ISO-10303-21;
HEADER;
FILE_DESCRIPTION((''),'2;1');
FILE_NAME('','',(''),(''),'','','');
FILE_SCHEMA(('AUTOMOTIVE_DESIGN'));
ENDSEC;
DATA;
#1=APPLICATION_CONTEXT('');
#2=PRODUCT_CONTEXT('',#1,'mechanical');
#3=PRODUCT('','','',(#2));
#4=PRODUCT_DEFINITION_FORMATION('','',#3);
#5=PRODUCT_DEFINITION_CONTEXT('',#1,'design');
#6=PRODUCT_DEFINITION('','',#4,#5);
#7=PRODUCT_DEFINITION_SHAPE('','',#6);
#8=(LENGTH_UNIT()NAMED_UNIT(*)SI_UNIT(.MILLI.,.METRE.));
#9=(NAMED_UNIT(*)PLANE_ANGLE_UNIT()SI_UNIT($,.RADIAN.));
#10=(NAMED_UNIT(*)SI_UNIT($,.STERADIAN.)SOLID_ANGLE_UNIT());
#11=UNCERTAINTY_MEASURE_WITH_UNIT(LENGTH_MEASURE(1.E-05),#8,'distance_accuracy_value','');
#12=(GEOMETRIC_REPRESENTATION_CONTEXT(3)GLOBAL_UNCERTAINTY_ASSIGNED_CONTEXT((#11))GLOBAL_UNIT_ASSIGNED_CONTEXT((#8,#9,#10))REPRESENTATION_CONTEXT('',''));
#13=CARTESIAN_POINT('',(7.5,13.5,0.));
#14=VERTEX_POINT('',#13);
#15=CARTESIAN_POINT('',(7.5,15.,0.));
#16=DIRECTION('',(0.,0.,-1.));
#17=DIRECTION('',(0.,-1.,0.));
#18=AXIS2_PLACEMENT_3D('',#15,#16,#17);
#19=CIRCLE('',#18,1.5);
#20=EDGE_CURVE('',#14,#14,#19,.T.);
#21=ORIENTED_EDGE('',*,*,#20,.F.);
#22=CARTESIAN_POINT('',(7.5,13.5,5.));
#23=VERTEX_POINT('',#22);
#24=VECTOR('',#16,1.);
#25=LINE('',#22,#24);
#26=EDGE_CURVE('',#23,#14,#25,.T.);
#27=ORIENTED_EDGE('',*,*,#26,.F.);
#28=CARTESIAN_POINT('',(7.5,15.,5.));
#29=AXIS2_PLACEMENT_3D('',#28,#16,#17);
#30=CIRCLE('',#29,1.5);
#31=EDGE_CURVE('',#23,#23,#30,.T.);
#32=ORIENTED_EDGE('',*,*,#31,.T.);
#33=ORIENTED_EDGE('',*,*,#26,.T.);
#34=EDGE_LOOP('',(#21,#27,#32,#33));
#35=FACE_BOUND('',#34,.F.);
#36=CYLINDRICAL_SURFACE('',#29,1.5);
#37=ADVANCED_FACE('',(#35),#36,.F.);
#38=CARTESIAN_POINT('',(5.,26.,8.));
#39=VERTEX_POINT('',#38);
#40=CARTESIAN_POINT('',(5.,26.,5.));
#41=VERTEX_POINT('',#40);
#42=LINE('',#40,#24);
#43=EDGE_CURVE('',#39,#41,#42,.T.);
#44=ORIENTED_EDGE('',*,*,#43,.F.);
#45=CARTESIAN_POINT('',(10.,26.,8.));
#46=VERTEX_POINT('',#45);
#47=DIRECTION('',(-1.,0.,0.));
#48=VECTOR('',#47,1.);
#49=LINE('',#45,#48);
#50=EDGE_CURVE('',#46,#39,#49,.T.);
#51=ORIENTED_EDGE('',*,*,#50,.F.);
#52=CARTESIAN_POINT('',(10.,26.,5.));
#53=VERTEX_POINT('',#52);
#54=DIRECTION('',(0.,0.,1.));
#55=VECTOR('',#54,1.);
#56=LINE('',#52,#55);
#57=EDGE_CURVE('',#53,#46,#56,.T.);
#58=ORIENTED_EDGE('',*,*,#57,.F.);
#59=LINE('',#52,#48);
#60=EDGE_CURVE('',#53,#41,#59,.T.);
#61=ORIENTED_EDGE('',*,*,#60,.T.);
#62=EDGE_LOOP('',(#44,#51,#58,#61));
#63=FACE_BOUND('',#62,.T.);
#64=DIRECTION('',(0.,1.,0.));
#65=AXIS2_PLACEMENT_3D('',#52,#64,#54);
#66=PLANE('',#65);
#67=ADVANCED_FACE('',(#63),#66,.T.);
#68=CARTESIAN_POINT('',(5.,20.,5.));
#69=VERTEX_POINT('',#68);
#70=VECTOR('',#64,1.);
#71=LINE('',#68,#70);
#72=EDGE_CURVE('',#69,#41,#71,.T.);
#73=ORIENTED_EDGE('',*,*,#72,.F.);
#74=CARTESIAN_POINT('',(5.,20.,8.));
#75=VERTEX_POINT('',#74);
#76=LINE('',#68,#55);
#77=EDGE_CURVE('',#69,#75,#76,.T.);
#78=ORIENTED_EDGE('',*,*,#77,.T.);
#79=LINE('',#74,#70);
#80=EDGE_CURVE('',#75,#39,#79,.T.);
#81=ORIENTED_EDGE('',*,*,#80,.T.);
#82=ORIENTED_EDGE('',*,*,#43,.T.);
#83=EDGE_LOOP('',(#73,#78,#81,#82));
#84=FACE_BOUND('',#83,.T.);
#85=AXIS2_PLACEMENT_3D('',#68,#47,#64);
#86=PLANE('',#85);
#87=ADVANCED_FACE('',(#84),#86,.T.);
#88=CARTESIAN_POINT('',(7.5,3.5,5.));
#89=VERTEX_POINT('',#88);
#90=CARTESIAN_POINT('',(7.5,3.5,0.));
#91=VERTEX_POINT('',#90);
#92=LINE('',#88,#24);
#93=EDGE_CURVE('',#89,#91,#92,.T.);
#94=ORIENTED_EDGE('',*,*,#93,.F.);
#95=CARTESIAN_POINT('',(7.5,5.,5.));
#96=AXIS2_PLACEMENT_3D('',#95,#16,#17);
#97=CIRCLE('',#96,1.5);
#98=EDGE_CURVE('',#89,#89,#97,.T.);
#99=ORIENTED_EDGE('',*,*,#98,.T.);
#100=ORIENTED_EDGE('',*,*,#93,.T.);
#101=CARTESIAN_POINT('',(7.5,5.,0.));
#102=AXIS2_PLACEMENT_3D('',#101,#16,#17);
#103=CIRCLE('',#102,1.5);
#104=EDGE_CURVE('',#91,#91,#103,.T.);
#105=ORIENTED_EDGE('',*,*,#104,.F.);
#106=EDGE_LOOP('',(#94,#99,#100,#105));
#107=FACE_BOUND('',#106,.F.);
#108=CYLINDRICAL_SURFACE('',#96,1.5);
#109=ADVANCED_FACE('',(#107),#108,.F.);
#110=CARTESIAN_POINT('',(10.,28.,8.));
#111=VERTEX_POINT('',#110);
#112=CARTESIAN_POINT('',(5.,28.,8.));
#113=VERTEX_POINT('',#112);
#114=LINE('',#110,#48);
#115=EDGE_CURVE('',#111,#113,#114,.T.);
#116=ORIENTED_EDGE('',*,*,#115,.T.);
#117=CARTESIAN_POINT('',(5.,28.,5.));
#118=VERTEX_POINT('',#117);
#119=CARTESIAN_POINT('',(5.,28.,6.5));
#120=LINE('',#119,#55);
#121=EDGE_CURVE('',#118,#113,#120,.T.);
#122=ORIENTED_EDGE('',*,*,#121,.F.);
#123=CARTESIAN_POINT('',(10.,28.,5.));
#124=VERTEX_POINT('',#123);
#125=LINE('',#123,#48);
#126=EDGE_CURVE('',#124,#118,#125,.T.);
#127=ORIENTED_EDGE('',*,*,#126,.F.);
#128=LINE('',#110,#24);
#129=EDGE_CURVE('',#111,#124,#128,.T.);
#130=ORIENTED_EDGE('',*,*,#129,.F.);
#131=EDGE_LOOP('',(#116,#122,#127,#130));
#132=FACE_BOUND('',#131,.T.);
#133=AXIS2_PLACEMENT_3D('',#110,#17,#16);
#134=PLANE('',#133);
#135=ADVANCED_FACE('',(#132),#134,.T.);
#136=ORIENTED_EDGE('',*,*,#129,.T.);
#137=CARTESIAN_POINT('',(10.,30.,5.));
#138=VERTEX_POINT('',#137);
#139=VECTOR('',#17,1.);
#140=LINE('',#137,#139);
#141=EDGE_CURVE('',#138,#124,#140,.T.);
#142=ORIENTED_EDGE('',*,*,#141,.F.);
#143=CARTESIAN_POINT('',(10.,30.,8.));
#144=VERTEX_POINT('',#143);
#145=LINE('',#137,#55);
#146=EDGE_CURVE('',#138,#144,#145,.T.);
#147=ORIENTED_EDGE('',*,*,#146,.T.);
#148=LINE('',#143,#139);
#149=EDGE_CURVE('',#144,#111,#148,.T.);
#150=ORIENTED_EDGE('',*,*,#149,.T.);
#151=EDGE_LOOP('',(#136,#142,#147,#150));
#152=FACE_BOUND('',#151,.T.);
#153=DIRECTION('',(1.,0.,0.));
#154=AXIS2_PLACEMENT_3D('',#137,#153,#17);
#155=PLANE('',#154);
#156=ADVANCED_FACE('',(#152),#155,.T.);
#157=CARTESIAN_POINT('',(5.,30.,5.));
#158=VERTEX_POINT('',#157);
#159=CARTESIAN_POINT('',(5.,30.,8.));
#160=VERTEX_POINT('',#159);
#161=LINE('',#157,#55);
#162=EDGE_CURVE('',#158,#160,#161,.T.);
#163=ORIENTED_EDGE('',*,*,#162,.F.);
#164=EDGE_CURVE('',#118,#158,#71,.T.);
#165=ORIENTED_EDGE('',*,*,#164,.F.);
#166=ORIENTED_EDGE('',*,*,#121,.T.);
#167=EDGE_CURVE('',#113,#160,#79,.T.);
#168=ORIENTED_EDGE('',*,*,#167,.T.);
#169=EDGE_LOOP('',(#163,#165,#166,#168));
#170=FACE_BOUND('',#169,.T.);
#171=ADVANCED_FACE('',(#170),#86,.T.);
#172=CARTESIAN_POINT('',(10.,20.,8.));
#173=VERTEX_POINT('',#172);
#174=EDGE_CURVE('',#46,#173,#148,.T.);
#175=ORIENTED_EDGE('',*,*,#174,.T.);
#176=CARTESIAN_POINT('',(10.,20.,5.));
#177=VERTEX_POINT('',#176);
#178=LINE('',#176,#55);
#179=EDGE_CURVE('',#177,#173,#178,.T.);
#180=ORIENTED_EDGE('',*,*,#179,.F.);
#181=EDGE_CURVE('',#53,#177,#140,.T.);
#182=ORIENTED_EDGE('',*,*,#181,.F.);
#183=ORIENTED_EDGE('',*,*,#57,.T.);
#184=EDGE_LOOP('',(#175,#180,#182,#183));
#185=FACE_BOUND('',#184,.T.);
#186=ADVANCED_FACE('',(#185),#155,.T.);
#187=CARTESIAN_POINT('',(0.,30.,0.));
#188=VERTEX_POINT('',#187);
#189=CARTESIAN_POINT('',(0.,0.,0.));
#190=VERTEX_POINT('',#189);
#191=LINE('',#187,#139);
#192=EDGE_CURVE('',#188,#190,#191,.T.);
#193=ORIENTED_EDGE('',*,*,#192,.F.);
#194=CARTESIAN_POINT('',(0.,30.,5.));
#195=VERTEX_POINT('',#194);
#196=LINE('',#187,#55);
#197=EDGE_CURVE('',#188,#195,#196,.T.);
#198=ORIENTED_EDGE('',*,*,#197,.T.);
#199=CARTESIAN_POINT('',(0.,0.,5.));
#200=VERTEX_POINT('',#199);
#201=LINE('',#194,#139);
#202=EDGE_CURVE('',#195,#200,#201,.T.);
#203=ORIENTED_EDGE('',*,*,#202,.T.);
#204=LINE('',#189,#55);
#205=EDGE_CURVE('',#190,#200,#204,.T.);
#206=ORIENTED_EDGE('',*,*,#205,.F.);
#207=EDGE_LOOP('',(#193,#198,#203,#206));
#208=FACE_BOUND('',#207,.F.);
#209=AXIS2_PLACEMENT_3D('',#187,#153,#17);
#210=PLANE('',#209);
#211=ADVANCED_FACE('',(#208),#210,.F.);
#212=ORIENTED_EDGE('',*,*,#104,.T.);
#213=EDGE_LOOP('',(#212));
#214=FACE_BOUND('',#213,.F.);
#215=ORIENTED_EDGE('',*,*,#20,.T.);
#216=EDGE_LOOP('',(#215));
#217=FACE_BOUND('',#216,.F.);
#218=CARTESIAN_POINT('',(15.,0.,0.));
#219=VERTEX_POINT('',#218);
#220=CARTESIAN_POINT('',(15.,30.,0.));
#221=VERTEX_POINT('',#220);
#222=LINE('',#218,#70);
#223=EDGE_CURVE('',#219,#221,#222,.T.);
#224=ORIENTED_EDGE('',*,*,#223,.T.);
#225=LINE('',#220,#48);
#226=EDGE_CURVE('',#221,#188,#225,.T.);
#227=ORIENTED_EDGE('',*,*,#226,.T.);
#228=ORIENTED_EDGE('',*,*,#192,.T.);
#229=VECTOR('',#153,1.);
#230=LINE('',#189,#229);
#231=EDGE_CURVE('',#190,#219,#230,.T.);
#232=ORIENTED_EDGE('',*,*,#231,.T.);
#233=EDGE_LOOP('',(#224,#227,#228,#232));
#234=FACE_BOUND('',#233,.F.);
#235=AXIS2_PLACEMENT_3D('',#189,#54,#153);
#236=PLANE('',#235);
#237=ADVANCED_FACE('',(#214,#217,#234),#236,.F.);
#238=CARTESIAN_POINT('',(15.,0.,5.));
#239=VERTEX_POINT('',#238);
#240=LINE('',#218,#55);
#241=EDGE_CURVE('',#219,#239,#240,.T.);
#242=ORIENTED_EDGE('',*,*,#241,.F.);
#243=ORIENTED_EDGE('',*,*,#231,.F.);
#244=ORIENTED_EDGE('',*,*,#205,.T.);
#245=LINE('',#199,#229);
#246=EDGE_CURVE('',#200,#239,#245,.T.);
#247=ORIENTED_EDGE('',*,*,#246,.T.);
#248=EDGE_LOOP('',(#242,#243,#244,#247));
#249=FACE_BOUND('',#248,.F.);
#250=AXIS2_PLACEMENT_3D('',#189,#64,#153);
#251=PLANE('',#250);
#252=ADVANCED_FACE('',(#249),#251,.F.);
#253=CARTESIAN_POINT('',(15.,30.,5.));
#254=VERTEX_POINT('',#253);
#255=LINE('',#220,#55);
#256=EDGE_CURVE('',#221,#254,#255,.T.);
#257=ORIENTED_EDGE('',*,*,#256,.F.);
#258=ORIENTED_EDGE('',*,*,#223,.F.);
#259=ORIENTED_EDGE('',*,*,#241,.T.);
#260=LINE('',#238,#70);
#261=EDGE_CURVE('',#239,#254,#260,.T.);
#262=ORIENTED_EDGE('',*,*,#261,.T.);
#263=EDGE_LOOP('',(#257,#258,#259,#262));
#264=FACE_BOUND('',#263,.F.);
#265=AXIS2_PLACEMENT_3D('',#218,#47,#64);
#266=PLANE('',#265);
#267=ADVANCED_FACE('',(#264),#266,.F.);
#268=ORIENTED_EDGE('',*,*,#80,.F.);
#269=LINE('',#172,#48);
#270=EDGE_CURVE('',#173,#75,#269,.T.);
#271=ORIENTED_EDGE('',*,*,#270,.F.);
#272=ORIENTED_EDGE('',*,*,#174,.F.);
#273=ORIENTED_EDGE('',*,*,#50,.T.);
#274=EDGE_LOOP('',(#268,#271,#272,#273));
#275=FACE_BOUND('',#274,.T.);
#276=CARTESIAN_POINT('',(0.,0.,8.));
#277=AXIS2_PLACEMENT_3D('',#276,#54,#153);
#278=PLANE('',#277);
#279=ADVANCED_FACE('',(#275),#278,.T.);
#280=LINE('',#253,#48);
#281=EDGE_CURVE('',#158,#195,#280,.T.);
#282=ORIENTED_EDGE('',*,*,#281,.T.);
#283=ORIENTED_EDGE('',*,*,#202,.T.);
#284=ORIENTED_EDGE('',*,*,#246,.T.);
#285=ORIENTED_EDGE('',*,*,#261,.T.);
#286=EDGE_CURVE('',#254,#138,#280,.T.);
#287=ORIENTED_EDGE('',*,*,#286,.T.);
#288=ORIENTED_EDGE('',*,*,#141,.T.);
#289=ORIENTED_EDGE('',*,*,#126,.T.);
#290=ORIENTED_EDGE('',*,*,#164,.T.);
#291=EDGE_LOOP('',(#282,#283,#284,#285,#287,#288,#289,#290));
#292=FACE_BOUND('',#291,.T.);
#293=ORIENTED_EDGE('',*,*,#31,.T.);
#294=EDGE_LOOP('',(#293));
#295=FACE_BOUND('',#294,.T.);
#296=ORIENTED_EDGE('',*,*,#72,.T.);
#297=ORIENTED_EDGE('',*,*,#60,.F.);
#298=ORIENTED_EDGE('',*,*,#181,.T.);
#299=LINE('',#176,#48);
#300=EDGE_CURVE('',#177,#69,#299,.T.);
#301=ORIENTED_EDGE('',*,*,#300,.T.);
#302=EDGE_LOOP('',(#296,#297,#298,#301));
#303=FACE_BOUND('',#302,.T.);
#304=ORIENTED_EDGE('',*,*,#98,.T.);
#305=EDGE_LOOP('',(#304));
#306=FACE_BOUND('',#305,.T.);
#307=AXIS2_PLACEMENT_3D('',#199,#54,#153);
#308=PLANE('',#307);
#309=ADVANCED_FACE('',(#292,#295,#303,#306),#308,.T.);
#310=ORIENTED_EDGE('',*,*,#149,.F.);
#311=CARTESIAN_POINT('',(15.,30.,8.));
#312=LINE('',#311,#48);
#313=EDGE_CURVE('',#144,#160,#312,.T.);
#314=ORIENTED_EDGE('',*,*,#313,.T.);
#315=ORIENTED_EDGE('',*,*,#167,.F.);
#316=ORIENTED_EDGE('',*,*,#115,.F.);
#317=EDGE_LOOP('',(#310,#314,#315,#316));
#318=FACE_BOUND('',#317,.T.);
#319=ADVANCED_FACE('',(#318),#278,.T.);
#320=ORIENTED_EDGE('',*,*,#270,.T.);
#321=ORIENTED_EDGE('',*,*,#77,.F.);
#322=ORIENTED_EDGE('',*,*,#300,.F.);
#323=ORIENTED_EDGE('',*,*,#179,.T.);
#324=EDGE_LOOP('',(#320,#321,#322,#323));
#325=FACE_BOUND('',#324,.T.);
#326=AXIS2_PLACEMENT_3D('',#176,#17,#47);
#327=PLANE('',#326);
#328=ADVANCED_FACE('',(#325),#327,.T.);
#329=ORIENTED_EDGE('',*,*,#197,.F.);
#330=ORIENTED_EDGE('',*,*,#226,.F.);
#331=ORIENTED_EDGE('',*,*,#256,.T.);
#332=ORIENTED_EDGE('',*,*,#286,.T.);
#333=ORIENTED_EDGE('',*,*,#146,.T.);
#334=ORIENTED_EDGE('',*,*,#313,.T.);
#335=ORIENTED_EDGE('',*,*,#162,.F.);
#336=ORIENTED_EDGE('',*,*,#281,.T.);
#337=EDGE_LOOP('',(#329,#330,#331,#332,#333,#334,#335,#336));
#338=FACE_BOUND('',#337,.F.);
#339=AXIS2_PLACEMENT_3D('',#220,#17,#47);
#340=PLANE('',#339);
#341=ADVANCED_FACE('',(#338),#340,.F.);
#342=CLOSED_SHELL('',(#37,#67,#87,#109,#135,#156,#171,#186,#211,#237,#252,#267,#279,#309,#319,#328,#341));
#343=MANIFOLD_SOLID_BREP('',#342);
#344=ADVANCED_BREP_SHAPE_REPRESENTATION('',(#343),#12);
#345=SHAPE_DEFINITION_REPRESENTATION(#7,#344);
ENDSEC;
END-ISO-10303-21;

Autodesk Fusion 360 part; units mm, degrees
sketch "Sketch1" plane through (0, 0, 0) normal (0, 0, 1) x (1, 0, 0)
  line L0 (0, 0) -> (15, 0)
  line L1 (15, 0) -> (15, 30)
  line L2 (15, 30) -> (0, 30)
  line L3 (0, 30) -> (0, 0)
extrude "Extrude1" add sketch "Sketch1" along normal blind 5
sketch "Sketch2" plane through (0, 0, 5) normal (0, 0, 1) x (1, 0, 0)
  line L0 (0, 30) -> (0, 0)
  line L1 (0, 0) -> (15, 0)
  line L2 (15, 0) -> (15, 30)
  line L3 (15, 30) -> (0, 30)
  line L4 (5, 30) -> (10, 30)
  line L5 (10, 30) -> (10, 20)
  line L6 (10, 20) -> (5, 20)
  line L7 (5, 20) -> (5, 30)
  dimension "d3" = 10
extrude "Extrude2" add sketch "Sketch2" along normal blind 3 contours L3 L4 L5 L6 L7
sketch "Sketch3" plane through (10, 0, 0) normal (1, 0, 0) x (0, 0, -1)
  line L0 (-5, 20) -> (-5, 30)
  line L1 (-5, 30) -> (-8, 30)
  line L2 (-8, 30) -> (-8, 20)
  line L3 (-8, 20) -> (-5, 20)
  line L4 (-8, 28) -> (-5, 28)
  line L5 (-5, 28) -> (-5, 26)
  line L6 (-5, 26) -> (-8, 26)
  line L7 (-8, 26) -> (-8, 28)
  dimension "d6" = 2
  dimension "d7" = 6
extrude "Extrude3" cut sketch "Sketch3" against normal blind 6 contours L0 L2 L4 L5 L6 L7
sketch "Sketch4" plane through (0, 0, 5) normal (0, 0, 1) x (1, 0, 0)
  line L0 (5, 28) -> (5, 30)
  line L1 (5, 30) -> (0, 30)
  line L2 (0, 30) -> (0, 0)
  line L3 (0, 0) -> (15, 0)
  line L4 (15, 0) -> (15, 30)
  line L5 (15, 30) -> (10, 30)
  line L6 (10, 30) -> (10, 28)
  line L7 (10, 28) -> (5, 28)
  line L8 (5, 26) -> (10, 26)
  line L9 (10, 26) -> (10, 20)
  line L10 (10, 20) -> (5, 20)
  line L11 (5, 20) -> (5, 26)
  point P0 (7.5, 5)
  point P1 (7.5, 15)
  dimension "d14" = 5
  dimension "d15" = 15
hole "Hole1" at (7.5, 5, 5) at (7.5, 15, 5) direction (0, 0, -1) diameter 3 end through all
